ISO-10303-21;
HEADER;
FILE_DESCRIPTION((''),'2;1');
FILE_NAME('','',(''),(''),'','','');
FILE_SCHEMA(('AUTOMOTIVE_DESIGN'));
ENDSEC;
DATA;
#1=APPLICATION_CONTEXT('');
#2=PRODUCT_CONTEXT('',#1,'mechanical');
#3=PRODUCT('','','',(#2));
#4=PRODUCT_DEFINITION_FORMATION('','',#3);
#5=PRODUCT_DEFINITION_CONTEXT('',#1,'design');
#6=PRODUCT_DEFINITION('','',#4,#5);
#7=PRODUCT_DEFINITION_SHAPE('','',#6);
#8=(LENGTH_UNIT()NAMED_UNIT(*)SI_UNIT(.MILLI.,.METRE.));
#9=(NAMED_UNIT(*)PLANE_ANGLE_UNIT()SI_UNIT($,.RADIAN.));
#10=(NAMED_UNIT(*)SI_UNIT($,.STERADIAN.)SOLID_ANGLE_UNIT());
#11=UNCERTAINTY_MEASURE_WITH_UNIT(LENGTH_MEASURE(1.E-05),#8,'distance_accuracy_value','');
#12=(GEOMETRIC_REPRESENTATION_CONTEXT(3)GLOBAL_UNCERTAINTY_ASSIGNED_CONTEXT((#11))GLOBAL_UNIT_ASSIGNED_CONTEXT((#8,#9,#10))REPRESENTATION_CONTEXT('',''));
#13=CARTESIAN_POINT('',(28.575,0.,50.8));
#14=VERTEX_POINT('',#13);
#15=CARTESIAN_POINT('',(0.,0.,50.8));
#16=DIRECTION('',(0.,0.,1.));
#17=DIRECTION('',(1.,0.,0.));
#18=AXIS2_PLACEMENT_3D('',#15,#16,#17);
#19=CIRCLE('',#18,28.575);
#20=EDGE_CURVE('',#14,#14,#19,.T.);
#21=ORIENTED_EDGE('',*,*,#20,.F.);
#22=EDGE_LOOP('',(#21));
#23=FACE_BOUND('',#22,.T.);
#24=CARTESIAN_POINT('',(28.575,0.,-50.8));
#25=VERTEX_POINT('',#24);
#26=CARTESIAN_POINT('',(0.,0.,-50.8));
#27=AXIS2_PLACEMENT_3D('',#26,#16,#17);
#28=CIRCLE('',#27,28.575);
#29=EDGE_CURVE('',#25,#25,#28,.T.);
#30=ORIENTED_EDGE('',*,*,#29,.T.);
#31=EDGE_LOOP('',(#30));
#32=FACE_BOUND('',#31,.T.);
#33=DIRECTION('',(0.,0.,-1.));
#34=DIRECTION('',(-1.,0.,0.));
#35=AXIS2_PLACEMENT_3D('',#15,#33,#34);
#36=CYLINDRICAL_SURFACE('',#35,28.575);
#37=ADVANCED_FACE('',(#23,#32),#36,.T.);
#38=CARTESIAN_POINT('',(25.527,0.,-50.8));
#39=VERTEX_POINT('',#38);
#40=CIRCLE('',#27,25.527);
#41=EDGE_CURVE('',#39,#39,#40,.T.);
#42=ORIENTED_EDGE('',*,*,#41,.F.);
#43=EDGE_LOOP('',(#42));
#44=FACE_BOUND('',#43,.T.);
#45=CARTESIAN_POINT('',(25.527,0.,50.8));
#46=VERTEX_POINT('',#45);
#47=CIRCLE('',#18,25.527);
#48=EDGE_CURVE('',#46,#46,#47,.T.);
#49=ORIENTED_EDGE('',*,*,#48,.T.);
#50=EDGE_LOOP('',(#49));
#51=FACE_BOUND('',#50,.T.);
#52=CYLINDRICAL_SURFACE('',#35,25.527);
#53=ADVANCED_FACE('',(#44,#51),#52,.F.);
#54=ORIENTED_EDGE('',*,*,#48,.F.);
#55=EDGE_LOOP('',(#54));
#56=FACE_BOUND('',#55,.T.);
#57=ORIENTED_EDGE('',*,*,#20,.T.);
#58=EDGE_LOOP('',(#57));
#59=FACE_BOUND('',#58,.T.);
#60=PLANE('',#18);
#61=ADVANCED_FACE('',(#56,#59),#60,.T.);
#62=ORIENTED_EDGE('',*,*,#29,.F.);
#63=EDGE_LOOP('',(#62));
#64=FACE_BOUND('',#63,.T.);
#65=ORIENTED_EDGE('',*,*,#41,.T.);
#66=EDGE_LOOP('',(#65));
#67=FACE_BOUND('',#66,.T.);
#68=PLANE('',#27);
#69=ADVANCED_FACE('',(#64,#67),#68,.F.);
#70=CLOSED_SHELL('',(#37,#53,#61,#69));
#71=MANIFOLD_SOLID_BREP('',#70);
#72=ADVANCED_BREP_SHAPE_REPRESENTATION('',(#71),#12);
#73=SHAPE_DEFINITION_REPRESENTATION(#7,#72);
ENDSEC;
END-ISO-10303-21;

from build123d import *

# Parameters (mm, degrees)
SKETCH3_R           = 28.575
SKETCH3_R_2         = 25.527
BOSS_EXTRUDE1_DEPTH = 50.8


with BuildPart() as part:
    # Sketch3 → Boss-Extrude1 (new, symmetric)
    with BuildSketch(Plane.XY):
        Circle(SKETCH3_R)
        Circle(SKETCH3_R_2, mode=Mode.SUBTRACT)
    extrude(amount=BOSS_EXTRUDE1_DEPTH, both=True)


solid = part.part
